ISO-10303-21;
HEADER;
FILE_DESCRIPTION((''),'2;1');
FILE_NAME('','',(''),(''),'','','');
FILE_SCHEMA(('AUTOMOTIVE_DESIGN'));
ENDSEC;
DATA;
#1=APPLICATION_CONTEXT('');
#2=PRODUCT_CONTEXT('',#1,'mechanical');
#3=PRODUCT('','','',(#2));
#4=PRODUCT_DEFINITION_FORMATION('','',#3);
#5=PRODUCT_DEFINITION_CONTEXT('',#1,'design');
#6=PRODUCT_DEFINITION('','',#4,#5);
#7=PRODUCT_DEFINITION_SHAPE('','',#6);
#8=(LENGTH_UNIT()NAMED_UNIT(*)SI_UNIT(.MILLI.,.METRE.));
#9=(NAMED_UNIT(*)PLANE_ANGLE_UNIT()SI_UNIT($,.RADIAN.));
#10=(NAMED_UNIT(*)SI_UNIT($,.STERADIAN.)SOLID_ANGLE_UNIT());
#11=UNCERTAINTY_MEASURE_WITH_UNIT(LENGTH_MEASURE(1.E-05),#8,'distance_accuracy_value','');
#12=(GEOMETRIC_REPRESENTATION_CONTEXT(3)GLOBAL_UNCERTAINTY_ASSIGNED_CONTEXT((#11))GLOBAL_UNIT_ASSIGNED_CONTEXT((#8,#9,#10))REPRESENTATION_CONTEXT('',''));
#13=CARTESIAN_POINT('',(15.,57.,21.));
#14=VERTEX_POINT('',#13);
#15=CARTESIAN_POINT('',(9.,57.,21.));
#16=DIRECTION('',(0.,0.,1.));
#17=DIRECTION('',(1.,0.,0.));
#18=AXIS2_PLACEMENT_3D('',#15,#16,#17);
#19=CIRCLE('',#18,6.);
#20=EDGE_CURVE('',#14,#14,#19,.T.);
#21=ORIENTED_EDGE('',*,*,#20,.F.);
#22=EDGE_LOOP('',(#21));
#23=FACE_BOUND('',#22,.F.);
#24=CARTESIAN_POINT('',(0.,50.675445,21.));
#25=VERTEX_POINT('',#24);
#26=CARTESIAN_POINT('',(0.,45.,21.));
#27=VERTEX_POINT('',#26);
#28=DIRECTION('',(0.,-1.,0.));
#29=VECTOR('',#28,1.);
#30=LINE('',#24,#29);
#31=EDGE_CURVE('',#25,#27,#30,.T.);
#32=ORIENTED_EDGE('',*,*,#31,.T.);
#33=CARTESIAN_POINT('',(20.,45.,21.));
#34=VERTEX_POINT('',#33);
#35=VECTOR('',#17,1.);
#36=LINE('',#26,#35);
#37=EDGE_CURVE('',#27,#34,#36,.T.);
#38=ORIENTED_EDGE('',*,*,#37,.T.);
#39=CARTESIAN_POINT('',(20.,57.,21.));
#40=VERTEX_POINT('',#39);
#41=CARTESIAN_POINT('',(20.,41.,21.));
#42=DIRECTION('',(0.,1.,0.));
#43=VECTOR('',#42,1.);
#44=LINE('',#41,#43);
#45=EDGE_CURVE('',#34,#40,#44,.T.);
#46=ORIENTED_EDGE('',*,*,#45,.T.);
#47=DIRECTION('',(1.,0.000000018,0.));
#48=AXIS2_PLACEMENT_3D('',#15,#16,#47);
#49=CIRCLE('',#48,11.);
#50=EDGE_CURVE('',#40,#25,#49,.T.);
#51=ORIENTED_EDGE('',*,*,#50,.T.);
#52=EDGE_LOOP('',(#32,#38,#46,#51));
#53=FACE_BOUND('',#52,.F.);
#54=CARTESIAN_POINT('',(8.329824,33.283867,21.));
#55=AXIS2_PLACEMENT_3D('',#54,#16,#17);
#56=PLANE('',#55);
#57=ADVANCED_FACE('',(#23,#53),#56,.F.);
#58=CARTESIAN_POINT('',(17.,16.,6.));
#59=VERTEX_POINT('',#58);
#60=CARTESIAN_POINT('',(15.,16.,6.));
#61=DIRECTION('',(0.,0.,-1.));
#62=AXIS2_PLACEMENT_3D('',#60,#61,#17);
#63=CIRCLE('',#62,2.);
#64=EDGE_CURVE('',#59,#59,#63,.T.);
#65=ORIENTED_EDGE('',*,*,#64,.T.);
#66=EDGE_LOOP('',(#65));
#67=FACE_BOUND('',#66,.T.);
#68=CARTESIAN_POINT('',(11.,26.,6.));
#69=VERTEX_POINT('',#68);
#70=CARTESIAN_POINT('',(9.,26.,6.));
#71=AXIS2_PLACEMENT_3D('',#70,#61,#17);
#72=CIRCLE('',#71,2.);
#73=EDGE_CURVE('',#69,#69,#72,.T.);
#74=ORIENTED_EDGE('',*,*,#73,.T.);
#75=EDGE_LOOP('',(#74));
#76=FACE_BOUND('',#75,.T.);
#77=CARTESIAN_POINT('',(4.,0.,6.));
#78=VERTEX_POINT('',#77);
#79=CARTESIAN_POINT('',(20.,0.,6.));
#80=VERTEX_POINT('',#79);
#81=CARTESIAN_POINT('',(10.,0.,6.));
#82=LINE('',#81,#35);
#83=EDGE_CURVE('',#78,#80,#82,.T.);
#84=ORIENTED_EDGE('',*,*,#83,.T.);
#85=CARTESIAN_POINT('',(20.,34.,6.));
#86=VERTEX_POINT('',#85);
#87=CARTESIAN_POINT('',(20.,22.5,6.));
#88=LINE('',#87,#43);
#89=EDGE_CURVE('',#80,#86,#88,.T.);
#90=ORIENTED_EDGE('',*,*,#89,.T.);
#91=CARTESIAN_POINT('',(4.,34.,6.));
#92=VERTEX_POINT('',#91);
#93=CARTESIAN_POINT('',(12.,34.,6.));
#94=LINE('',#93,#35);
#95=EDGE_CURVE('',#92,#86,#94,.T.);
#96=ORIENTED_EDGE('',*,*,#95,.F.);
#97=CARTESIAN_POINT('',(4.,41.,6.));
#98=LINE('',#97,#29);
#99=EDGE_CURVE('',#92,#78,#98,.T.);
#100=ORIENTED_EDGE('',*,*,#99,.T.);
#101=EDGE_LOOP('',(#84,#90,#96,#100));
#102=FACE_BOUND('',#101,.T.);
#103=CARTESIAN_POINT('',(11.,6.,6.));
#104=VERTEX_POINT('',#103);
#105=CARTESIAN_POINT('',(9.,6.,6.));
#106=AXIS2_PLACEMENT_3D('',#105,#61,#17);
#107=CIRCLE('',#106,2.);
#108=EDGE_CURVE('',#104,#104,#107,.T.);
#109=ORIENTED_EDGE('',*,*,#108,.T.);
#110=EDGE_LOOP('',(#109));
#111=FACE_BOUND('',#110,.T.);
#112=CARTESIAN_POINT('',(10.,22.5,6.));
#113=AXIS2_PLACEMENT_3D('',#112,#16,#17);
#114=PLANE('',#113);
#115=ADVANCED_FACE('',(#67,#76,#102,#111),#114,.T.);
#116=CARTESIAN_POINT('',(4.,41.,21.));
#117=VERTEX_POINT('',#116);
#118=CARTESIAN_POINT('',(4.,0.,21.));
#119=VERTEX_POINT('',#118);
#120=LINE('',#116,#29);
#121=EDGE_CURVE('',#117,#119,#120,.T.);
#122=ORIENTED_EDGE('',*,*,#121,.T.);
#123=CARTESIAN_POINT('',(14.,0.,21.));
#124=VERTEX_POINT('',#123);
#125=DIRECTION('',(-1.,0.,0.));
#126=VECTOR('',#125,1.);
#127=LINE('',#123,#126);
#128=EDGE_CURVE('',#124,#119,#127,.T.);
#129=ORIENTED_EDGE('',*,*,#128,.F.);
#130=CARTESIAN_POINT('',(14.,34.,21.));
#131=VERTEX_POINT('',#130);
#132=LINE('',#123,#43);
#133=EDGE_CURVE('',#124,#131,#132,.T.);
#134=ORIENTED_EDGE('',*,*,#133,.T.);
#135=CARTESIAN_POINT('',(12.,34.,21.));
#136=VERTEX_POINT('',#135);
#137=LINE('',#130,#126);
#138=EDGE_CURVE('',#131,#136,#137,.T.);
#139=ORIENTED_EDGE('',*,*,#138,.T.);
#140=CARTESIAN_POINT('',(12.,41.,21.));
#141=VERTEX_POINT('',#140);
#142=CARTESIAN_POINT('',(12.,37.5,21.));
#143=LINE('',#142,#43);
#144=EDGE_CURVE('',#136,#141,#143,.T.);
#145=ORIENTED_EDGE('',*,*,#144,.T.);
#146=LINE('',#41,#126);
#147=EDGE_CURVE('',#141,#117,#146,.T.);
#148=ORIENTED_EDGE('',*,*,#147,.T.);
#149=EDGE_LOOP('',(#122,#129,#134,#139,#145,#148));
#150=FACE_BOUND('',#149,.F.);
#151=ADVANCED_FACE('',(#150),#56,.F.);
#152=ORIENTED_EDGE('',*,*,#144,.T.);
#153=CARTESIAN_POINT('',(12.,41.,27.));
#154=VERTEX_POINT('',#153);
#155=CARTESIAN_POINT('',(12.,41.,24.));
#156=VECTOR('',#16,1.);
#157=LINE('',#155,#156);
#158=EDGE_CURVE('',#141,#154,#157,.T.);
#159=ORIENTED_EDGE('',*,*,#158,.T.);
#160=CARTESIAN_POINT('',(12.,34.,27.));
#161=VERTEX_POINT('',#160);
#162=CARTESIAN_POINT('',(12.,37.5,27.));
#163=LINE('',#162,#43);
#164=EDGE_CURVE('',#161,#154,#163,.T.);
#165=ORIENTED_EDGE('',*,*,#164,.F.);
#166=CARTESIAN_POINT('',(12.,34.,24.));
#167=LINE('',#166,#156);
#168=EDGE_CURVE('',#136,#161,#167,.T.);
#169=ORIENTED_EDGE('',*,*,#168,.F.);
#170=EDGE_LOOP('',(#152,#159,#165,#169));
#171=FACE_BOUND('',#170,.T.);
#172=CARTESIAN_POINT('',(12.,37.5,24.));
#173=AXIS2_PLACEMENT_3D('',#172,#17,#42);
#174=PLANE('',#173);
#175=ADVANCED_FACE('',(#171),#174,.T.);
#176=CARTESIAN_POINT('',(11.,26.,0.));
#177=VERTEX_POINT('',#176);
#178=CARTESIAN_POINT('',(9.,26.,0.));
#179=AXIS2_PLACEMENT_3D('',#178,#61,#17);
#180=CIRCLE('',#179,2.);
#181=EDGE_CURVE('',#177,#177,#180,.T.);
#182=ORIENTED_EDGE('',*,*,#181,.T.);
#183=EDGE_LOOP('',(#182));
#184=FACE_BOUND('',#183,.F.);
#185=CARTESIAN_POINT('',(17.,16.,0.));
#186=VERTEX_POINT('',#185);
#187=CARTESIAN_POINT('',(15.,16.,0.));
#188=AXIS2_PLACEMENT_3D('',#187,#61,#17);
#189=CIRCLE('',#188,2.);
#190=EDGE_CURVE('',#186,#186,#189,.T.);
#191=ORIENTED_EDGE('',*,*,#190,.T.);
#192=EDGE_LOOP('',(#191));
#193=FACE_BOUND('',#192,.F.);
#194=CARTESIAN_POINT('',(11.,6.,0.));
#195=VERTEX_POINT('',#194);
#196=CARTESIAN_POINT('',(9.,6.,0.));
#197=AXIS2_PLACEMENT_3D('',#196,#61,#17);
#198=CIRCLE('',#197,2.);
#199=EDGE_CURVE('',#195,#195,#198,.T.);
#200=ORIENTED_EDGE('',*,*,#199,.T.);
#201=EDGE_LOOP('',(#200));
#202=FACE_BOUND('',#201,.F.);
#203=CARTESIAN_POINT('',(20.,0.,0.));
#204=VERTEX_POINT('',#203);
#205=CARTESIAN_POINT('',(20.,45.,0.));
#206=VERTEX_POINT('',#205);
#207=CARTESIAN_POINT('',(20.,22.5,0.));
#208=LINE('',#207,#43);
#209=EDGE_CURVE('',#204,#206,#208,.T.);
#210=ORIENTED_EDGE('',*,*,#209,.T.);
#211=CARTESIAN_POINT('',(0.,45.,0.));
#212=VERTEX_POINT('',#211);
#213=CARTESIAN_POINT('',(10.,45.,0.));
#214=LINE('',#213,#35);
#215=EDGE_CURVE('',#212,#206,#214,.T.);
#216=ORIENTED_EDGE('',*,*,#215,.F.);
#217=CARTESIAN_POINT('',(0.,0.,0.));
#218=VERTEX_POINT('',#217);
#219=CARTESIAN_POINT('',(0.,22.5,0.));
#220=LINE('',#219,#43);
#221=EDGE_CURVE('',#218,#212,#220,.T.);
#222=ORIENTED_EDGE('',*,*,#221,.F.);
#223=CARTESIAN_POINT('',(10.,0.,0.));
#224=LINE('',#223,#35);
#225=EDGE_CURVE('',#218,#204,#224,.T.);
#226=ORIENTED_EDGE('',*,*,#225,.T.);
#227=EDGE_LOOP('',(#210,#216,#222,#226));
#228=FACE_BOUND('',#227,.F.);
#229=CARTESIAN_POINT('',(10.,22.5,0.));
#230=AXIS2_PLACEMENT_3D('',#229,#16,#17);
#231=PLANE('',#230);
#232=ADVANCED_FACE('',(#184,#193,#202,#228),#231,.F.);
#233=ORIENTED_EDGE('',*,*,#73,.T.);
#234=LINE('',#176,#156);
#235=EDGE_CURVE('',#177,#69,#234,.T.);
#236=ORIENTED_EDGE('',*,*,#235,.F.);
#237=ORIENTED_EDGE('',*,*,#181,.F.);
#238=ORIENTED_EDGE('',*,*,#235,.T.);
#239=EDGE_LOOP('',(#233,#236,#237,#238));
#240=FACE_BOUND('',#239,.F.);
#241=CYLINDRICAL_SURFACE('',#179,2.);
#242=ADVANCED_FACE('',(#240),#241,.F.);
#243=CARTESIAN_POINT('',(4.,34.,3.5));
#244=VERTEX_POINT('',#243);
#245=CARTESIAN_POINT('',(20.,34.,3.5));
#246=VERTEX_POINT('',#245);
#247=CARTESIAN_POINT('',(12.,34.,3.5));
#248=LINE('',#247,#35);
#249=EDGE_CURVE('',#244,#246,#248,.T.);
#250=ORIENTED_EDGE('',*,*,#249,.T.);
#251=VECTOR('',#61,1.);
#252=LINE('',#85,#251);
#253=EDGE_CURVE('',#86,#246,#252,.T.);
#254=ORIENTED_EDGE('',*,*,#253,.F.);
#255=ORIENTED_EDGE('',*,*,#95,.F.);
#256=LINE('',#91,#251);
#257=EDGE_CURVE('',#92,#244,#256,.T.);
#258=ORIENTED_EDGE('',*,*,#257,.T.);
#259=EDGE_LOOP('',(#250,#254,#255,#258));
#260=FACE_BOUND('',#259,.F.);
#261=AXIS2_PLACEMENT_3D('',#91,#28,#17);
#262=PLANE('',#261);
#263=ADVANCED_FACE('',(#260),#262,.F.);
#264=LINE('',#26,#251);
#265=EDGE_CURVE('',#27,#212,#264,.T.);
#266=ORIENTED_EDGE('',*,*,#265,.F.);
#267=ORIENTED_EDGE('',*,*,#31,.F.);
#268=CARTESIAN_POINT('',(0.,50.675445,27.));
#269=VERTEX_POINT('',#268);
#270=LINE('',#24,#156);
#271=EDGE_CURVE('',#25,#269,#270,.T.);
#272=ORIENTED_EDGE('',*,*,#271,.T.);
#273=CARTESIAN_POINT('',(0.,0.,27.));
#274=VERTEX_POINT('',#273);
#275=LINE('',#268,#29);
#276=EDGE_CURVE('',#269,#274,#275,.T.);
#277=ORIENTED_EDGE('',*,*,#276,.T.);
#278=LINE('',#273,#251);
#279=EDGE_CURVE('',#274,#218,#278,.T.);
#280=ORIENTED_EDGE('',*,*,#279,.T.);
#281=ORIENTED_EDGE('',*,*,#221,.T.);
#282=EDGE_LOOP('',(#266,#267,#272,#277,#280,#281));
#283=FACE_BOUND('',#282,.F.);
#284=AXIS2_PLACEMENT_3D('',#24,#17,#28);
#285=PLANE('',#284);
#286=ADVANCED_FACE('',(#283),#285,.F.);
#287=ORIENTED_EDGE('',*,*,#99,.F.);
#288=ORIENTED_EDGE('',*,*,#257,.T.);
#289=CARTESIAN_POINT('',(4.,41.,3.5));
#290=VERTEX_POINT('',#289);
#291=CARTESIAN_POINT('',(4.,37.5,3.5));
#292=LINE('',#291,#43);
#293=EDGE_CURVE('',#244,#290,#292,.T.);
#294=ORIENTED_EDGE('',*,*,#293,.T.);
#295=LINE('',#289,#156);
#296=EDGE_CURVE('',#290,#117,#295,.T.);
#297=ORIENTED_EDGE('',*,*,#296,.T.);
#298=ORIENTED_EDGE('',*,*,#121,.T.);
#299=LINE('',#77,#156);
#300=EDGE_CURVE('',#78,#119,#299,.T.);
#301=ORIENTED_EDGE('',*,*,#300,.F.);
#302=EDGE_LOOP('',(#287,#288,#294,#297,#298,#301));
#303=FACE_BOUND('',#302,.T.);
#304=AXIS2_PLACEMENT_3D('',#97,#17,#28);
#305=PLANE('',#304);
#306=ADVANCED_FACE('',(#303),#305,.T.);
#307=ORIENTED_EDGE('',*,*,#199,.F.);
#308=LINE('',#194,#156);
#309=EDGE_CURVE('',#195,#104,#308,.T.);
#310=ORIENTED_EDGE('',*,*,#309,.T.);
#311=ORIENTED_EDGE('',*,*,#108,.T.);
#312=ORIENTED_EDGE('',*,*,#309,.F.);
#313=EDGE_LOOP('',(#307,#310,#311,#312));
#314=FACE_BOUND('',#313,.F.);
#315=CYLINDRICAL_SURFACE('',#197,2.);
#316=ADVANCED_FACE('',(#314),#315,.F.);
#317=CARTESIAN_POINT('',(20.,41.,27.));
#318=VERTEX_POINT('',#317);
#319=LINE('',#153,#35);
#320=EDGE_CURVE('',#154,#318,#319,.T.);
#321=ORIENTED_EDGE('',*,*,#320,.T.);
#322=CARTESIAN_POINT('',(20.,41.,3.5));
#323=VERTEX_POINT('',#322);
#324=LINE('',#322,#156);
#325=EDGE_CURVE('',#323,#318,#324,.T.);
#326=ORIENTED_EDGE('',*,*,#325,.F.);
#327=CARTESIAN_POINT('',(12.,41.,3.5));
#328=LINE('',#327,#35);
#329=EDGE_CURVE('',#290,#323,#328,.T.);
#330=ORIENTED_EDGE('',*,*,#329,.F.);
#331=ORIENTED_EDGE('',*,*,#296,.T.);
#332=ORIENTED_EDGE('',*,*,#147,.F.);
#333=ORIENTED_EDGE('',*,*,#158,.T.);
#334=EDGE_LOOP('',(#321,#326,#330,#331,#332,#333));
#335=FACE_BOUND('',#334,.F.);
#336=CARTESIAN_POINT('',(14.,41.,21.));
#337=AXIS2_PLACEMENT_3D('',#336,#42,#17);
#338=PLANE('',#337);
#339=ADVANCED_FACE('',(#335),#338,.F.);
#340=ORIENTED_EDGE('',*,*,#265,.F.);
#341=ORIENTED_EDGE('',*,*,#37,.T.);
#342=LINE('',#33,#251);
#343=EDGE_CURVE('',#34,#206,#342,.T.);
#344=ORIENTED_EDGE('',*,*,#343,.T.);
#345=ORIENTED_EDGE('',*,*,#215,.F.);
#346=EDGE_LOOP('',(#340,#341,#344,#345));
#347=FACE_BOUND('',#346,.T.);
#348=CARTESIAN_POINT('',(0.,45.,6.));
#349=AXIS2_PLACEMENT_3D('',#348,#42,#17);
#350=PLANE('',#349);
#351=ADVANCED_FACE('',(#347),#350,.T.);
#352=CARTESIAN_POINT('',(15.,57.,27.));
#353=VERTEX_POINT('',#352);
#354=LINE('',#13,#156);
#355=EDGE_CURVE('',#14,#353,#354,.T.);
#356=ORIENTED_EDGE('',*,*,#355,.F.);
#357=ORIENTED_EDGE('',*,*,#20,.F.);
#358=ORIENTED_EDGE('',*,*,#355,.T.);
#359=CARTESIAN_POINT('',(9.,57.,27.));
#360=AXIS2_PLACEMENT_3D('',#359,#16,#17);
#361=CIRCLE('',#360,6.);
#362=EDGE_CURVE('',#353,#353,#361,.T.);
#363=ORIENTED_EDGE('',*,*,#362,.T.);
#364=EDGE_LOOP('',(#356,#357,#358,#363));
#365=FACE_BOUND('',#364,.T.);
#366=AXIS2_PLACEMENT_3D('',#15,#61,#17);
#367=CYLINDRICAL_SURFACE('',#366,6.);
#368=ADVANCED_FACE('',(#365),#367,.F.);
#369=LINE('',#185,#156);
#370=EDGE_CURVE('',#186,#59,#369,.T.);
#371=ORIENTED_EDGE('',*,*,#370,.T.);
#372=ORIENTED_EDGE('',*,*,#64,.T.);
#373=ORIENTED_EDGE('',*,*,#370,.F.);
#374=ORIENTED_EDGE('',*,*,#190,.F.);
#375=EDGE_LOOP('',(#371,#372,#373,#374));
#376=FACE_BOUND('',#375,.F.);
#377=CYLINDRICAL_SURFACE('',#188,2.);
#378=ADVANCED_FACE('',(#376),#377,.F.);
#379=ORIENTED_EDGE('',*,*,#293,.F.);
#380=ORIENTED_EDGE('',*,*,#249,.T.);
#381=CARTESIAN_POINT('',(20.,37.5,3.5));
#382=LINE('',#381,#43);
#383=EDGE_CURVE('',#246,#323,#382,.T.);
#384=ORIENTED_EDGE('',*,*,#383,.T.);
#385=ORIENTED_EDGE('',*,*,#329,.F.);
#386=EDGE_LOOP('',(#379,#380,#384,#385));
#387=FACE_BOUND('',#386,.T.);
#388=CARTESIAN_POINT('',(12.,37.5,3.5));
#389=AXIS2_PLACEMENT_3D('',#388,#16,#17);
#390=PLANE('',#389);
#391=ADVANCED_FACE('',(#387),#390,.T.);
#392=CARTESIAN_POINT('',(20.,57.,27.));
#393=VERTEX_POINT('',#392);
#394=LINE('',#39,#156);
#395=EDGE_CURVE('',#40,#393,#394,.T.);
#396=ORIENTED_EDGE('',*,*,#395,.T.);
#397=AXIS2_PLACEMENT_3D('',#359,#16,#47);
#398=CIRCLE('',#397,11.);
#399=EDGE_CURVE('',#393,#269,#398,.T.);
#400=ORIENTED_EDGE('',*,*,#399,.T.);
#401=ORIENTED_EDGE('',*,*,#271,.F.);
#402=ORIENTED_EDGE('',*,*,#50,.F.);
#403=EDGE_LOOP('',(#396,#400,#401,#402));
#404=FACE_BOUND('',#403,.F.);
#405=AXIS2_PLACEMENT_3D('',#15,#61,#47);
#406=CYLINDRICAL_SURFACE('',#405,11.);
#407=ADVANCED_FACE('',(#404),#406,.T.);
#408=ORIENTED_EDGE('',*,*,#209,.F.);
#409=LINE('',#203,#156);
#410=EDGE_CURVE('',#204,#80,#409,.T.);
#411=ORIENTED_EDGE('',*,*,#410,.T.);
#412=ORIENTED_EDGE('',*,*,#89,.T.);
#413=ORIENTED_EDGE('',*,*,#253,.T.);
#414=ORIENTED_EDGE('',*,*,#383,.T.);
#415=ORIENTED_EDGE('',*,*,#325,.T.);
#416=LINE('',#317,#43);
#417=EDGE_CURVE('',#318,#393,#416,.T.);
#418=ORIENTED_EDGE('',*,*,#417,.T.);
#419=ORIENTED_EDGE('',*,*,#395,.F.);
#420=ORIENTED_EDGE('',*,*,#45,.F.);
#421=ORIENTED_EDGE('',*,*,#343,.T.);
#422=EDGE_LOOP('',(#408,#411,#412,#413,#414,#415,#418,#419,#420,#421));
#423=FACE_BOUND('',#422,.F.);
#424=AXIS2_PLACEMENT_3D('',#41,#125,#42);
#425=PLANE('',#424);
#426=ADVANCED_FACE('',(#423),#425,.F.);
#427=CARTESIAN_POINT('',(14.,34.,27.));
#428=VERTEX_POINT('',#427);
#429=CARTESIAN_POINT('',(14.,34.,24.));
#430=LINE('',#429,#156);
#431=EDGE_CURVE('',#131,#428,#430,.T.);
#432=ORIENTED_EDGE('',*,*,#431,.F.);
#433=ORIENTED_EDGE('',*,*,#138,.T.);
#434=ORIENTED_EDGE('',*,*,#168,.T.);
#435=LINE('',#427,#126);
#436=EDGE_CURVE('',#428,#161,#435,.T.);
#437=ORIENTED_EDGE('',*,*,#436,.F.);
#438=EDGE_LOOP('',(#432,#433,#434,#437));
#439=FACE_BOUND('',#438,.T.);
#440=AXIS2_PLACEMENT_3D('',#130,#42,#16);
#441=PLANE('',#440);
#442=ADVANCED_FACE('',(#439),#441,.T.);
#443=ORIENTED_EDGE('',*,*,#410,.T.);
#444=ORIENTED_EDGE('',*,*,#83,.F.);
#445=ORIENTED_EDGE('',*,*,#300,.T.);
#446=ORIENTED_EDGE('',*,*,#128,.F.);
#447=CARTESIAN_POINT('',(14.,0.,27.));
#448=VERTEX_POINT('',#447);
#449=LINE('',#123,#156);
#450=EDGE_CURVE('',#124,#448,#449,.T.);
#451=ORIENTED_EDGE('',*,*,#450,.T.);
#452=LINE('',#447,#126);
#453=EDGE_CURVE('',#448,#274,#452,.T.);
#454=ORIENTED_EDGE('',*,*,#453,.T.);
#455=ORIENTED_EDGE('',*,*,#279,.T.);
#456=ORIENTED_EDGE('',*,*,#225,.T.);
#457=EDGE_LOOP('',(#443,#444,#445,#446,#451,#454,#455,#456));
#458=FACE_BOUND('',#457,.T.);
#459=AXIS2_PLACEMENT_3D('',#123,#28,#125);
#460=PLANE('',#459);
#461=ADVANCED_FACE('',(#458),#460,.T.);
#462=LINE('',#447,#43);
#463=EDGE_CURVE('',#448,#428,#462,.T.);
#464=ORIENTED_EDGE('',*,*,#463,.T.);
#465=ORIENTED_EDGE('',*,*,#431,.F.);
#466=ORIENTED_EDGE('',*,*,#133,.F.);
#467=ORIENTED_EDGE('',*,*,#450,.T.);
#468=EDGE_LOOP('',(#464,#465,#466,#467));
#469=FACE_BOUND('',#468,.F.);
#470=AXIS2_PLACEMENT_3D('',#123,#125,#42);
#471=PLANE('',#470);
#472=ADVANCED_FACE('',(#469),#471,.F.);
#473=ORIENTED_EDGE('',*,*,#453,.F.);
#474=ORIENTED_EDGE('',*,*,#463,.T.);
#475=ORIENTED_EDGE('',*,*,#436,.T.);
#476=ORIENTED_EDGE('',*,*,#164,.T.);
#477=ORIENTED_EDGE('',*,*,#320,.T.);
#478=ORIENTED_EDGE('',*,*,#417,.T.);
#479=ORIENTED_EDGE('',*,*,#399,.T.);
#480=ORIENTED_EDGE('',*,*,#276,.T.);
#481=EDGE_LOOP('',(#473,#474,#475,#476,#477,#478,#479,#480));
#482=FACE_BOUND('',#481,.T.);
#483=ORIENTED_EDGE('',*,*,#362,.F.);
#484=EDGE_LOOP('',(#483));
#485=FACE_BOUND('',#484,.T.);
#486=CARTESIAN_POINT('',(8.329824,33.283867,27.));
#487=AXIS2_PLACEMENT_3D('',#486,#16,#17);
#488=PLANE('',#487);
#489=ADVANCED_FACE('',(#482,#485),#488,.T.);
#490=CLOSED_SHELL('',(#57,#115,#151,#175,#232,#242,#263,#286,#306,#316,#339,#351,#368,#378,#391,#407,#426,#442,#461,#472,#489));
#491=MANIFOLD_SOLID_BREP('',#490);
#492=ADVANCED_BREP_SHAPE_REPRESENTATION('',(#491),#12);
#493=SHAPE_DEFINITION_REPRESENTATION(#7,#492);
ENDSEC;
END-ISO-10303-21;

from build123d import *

# Parameters (mm, degrees)
SKETCH_W        = 20
SKETCH_H        = 45
PAD_DEPTH       = 6
PAD001_DEPTH    = 15
SKETCH002_R     = 6
PAD002_DEPTH    = 6
SKETCH003_R     = 2
POCKET_DEPTH    = 6
SKETCH004_W     = 7
SKETCH004_H     = 6
POCKET001_DEPTH = 2
SKETCH005_W     = 16
SKETCH005_H     = 7
POCKET002_DEPTH = 2.5


with BuildPart() as part:
    # Sketch → Pad (new body)
    with BuildSketch(Plane.XY):
        with Locations((10, 22.5)):
            Rectangle(SKETCH_W, SKETCH_H)
    extrude(amount=PAD_DEPTH)

    # Sketch001 (on Face6 of Pad) → Pad001 (join)
    with BuildSketch(Plane.XY.offset(6)):
        Polygon((0, 0), (0, 45), (20, 45), (20, 41), (4, 41), (4, 0), align=None)
    extrude(amount=PAD001_DEPTH)

    # Sketch002 (on Face11 of Pad001) → Pad002 (join)
    with BuildSketch(Plane.XY.offset(21)):
        with BuildLine():
            Line((14, 0), (14, 41))
            Line((14, 41), (20, 41))
            Line((20, 41), (20, 57))
            ThreePointArc((20, 57), (5.683375, 67.488088), (0, 50.675445))
            Line((0, 50.675445), (0, 0))
            Line((14, 0), (0, 0))
        make_face()
        with Locations((9, 57)):
            Circle(SKETCH002_R, mode=Mode.SUBTRACT)
    extrude(amount=PAD002_DEPTH)

    # Sketch003 (on Face4 of Pad002) → Pocket (cut)
    with BuildSketch(Plane(origin=(0, 0, 0), x_dir=(1, 0, 0), z_dir=(0, 0, -1))):
        with Locations((9, -6)):
            Circle(SKETCH003_R)
        with Locations((9, -26)):
            Circle(SKETCH003_R)
        with Locations((15, -16)):
            Circle(SKETCH003_R)
    extrude(amount=-POCKET_DEPTH, mode=Mode.SUBTRACT)

    # Sketch004 (on Face20 of Pocket) → Pocket001 (cut)
    with BuildSketch(Plane.YZ.offset(14)):
        with Locations((37.5, 24)):
            Rectangle(SKETCH004_W, SKETCH004_H)
    extrude(amount=-POCKET001_DEPTH, mode=Mode.SUBTRACT)

    # Sketch005 (on Face6 of Pocket001) → Pocket002 (cut)
    with BuildSketch(Plane.XY.offset(6)):
        with Locations((12, 37.5)):
            Rectangle(SKETCH005_W, SKETCH005_H)
    extrude(amount=-POCKET002_DEPTH, mode=Mode.SUBTRACT)


solid = part.part
